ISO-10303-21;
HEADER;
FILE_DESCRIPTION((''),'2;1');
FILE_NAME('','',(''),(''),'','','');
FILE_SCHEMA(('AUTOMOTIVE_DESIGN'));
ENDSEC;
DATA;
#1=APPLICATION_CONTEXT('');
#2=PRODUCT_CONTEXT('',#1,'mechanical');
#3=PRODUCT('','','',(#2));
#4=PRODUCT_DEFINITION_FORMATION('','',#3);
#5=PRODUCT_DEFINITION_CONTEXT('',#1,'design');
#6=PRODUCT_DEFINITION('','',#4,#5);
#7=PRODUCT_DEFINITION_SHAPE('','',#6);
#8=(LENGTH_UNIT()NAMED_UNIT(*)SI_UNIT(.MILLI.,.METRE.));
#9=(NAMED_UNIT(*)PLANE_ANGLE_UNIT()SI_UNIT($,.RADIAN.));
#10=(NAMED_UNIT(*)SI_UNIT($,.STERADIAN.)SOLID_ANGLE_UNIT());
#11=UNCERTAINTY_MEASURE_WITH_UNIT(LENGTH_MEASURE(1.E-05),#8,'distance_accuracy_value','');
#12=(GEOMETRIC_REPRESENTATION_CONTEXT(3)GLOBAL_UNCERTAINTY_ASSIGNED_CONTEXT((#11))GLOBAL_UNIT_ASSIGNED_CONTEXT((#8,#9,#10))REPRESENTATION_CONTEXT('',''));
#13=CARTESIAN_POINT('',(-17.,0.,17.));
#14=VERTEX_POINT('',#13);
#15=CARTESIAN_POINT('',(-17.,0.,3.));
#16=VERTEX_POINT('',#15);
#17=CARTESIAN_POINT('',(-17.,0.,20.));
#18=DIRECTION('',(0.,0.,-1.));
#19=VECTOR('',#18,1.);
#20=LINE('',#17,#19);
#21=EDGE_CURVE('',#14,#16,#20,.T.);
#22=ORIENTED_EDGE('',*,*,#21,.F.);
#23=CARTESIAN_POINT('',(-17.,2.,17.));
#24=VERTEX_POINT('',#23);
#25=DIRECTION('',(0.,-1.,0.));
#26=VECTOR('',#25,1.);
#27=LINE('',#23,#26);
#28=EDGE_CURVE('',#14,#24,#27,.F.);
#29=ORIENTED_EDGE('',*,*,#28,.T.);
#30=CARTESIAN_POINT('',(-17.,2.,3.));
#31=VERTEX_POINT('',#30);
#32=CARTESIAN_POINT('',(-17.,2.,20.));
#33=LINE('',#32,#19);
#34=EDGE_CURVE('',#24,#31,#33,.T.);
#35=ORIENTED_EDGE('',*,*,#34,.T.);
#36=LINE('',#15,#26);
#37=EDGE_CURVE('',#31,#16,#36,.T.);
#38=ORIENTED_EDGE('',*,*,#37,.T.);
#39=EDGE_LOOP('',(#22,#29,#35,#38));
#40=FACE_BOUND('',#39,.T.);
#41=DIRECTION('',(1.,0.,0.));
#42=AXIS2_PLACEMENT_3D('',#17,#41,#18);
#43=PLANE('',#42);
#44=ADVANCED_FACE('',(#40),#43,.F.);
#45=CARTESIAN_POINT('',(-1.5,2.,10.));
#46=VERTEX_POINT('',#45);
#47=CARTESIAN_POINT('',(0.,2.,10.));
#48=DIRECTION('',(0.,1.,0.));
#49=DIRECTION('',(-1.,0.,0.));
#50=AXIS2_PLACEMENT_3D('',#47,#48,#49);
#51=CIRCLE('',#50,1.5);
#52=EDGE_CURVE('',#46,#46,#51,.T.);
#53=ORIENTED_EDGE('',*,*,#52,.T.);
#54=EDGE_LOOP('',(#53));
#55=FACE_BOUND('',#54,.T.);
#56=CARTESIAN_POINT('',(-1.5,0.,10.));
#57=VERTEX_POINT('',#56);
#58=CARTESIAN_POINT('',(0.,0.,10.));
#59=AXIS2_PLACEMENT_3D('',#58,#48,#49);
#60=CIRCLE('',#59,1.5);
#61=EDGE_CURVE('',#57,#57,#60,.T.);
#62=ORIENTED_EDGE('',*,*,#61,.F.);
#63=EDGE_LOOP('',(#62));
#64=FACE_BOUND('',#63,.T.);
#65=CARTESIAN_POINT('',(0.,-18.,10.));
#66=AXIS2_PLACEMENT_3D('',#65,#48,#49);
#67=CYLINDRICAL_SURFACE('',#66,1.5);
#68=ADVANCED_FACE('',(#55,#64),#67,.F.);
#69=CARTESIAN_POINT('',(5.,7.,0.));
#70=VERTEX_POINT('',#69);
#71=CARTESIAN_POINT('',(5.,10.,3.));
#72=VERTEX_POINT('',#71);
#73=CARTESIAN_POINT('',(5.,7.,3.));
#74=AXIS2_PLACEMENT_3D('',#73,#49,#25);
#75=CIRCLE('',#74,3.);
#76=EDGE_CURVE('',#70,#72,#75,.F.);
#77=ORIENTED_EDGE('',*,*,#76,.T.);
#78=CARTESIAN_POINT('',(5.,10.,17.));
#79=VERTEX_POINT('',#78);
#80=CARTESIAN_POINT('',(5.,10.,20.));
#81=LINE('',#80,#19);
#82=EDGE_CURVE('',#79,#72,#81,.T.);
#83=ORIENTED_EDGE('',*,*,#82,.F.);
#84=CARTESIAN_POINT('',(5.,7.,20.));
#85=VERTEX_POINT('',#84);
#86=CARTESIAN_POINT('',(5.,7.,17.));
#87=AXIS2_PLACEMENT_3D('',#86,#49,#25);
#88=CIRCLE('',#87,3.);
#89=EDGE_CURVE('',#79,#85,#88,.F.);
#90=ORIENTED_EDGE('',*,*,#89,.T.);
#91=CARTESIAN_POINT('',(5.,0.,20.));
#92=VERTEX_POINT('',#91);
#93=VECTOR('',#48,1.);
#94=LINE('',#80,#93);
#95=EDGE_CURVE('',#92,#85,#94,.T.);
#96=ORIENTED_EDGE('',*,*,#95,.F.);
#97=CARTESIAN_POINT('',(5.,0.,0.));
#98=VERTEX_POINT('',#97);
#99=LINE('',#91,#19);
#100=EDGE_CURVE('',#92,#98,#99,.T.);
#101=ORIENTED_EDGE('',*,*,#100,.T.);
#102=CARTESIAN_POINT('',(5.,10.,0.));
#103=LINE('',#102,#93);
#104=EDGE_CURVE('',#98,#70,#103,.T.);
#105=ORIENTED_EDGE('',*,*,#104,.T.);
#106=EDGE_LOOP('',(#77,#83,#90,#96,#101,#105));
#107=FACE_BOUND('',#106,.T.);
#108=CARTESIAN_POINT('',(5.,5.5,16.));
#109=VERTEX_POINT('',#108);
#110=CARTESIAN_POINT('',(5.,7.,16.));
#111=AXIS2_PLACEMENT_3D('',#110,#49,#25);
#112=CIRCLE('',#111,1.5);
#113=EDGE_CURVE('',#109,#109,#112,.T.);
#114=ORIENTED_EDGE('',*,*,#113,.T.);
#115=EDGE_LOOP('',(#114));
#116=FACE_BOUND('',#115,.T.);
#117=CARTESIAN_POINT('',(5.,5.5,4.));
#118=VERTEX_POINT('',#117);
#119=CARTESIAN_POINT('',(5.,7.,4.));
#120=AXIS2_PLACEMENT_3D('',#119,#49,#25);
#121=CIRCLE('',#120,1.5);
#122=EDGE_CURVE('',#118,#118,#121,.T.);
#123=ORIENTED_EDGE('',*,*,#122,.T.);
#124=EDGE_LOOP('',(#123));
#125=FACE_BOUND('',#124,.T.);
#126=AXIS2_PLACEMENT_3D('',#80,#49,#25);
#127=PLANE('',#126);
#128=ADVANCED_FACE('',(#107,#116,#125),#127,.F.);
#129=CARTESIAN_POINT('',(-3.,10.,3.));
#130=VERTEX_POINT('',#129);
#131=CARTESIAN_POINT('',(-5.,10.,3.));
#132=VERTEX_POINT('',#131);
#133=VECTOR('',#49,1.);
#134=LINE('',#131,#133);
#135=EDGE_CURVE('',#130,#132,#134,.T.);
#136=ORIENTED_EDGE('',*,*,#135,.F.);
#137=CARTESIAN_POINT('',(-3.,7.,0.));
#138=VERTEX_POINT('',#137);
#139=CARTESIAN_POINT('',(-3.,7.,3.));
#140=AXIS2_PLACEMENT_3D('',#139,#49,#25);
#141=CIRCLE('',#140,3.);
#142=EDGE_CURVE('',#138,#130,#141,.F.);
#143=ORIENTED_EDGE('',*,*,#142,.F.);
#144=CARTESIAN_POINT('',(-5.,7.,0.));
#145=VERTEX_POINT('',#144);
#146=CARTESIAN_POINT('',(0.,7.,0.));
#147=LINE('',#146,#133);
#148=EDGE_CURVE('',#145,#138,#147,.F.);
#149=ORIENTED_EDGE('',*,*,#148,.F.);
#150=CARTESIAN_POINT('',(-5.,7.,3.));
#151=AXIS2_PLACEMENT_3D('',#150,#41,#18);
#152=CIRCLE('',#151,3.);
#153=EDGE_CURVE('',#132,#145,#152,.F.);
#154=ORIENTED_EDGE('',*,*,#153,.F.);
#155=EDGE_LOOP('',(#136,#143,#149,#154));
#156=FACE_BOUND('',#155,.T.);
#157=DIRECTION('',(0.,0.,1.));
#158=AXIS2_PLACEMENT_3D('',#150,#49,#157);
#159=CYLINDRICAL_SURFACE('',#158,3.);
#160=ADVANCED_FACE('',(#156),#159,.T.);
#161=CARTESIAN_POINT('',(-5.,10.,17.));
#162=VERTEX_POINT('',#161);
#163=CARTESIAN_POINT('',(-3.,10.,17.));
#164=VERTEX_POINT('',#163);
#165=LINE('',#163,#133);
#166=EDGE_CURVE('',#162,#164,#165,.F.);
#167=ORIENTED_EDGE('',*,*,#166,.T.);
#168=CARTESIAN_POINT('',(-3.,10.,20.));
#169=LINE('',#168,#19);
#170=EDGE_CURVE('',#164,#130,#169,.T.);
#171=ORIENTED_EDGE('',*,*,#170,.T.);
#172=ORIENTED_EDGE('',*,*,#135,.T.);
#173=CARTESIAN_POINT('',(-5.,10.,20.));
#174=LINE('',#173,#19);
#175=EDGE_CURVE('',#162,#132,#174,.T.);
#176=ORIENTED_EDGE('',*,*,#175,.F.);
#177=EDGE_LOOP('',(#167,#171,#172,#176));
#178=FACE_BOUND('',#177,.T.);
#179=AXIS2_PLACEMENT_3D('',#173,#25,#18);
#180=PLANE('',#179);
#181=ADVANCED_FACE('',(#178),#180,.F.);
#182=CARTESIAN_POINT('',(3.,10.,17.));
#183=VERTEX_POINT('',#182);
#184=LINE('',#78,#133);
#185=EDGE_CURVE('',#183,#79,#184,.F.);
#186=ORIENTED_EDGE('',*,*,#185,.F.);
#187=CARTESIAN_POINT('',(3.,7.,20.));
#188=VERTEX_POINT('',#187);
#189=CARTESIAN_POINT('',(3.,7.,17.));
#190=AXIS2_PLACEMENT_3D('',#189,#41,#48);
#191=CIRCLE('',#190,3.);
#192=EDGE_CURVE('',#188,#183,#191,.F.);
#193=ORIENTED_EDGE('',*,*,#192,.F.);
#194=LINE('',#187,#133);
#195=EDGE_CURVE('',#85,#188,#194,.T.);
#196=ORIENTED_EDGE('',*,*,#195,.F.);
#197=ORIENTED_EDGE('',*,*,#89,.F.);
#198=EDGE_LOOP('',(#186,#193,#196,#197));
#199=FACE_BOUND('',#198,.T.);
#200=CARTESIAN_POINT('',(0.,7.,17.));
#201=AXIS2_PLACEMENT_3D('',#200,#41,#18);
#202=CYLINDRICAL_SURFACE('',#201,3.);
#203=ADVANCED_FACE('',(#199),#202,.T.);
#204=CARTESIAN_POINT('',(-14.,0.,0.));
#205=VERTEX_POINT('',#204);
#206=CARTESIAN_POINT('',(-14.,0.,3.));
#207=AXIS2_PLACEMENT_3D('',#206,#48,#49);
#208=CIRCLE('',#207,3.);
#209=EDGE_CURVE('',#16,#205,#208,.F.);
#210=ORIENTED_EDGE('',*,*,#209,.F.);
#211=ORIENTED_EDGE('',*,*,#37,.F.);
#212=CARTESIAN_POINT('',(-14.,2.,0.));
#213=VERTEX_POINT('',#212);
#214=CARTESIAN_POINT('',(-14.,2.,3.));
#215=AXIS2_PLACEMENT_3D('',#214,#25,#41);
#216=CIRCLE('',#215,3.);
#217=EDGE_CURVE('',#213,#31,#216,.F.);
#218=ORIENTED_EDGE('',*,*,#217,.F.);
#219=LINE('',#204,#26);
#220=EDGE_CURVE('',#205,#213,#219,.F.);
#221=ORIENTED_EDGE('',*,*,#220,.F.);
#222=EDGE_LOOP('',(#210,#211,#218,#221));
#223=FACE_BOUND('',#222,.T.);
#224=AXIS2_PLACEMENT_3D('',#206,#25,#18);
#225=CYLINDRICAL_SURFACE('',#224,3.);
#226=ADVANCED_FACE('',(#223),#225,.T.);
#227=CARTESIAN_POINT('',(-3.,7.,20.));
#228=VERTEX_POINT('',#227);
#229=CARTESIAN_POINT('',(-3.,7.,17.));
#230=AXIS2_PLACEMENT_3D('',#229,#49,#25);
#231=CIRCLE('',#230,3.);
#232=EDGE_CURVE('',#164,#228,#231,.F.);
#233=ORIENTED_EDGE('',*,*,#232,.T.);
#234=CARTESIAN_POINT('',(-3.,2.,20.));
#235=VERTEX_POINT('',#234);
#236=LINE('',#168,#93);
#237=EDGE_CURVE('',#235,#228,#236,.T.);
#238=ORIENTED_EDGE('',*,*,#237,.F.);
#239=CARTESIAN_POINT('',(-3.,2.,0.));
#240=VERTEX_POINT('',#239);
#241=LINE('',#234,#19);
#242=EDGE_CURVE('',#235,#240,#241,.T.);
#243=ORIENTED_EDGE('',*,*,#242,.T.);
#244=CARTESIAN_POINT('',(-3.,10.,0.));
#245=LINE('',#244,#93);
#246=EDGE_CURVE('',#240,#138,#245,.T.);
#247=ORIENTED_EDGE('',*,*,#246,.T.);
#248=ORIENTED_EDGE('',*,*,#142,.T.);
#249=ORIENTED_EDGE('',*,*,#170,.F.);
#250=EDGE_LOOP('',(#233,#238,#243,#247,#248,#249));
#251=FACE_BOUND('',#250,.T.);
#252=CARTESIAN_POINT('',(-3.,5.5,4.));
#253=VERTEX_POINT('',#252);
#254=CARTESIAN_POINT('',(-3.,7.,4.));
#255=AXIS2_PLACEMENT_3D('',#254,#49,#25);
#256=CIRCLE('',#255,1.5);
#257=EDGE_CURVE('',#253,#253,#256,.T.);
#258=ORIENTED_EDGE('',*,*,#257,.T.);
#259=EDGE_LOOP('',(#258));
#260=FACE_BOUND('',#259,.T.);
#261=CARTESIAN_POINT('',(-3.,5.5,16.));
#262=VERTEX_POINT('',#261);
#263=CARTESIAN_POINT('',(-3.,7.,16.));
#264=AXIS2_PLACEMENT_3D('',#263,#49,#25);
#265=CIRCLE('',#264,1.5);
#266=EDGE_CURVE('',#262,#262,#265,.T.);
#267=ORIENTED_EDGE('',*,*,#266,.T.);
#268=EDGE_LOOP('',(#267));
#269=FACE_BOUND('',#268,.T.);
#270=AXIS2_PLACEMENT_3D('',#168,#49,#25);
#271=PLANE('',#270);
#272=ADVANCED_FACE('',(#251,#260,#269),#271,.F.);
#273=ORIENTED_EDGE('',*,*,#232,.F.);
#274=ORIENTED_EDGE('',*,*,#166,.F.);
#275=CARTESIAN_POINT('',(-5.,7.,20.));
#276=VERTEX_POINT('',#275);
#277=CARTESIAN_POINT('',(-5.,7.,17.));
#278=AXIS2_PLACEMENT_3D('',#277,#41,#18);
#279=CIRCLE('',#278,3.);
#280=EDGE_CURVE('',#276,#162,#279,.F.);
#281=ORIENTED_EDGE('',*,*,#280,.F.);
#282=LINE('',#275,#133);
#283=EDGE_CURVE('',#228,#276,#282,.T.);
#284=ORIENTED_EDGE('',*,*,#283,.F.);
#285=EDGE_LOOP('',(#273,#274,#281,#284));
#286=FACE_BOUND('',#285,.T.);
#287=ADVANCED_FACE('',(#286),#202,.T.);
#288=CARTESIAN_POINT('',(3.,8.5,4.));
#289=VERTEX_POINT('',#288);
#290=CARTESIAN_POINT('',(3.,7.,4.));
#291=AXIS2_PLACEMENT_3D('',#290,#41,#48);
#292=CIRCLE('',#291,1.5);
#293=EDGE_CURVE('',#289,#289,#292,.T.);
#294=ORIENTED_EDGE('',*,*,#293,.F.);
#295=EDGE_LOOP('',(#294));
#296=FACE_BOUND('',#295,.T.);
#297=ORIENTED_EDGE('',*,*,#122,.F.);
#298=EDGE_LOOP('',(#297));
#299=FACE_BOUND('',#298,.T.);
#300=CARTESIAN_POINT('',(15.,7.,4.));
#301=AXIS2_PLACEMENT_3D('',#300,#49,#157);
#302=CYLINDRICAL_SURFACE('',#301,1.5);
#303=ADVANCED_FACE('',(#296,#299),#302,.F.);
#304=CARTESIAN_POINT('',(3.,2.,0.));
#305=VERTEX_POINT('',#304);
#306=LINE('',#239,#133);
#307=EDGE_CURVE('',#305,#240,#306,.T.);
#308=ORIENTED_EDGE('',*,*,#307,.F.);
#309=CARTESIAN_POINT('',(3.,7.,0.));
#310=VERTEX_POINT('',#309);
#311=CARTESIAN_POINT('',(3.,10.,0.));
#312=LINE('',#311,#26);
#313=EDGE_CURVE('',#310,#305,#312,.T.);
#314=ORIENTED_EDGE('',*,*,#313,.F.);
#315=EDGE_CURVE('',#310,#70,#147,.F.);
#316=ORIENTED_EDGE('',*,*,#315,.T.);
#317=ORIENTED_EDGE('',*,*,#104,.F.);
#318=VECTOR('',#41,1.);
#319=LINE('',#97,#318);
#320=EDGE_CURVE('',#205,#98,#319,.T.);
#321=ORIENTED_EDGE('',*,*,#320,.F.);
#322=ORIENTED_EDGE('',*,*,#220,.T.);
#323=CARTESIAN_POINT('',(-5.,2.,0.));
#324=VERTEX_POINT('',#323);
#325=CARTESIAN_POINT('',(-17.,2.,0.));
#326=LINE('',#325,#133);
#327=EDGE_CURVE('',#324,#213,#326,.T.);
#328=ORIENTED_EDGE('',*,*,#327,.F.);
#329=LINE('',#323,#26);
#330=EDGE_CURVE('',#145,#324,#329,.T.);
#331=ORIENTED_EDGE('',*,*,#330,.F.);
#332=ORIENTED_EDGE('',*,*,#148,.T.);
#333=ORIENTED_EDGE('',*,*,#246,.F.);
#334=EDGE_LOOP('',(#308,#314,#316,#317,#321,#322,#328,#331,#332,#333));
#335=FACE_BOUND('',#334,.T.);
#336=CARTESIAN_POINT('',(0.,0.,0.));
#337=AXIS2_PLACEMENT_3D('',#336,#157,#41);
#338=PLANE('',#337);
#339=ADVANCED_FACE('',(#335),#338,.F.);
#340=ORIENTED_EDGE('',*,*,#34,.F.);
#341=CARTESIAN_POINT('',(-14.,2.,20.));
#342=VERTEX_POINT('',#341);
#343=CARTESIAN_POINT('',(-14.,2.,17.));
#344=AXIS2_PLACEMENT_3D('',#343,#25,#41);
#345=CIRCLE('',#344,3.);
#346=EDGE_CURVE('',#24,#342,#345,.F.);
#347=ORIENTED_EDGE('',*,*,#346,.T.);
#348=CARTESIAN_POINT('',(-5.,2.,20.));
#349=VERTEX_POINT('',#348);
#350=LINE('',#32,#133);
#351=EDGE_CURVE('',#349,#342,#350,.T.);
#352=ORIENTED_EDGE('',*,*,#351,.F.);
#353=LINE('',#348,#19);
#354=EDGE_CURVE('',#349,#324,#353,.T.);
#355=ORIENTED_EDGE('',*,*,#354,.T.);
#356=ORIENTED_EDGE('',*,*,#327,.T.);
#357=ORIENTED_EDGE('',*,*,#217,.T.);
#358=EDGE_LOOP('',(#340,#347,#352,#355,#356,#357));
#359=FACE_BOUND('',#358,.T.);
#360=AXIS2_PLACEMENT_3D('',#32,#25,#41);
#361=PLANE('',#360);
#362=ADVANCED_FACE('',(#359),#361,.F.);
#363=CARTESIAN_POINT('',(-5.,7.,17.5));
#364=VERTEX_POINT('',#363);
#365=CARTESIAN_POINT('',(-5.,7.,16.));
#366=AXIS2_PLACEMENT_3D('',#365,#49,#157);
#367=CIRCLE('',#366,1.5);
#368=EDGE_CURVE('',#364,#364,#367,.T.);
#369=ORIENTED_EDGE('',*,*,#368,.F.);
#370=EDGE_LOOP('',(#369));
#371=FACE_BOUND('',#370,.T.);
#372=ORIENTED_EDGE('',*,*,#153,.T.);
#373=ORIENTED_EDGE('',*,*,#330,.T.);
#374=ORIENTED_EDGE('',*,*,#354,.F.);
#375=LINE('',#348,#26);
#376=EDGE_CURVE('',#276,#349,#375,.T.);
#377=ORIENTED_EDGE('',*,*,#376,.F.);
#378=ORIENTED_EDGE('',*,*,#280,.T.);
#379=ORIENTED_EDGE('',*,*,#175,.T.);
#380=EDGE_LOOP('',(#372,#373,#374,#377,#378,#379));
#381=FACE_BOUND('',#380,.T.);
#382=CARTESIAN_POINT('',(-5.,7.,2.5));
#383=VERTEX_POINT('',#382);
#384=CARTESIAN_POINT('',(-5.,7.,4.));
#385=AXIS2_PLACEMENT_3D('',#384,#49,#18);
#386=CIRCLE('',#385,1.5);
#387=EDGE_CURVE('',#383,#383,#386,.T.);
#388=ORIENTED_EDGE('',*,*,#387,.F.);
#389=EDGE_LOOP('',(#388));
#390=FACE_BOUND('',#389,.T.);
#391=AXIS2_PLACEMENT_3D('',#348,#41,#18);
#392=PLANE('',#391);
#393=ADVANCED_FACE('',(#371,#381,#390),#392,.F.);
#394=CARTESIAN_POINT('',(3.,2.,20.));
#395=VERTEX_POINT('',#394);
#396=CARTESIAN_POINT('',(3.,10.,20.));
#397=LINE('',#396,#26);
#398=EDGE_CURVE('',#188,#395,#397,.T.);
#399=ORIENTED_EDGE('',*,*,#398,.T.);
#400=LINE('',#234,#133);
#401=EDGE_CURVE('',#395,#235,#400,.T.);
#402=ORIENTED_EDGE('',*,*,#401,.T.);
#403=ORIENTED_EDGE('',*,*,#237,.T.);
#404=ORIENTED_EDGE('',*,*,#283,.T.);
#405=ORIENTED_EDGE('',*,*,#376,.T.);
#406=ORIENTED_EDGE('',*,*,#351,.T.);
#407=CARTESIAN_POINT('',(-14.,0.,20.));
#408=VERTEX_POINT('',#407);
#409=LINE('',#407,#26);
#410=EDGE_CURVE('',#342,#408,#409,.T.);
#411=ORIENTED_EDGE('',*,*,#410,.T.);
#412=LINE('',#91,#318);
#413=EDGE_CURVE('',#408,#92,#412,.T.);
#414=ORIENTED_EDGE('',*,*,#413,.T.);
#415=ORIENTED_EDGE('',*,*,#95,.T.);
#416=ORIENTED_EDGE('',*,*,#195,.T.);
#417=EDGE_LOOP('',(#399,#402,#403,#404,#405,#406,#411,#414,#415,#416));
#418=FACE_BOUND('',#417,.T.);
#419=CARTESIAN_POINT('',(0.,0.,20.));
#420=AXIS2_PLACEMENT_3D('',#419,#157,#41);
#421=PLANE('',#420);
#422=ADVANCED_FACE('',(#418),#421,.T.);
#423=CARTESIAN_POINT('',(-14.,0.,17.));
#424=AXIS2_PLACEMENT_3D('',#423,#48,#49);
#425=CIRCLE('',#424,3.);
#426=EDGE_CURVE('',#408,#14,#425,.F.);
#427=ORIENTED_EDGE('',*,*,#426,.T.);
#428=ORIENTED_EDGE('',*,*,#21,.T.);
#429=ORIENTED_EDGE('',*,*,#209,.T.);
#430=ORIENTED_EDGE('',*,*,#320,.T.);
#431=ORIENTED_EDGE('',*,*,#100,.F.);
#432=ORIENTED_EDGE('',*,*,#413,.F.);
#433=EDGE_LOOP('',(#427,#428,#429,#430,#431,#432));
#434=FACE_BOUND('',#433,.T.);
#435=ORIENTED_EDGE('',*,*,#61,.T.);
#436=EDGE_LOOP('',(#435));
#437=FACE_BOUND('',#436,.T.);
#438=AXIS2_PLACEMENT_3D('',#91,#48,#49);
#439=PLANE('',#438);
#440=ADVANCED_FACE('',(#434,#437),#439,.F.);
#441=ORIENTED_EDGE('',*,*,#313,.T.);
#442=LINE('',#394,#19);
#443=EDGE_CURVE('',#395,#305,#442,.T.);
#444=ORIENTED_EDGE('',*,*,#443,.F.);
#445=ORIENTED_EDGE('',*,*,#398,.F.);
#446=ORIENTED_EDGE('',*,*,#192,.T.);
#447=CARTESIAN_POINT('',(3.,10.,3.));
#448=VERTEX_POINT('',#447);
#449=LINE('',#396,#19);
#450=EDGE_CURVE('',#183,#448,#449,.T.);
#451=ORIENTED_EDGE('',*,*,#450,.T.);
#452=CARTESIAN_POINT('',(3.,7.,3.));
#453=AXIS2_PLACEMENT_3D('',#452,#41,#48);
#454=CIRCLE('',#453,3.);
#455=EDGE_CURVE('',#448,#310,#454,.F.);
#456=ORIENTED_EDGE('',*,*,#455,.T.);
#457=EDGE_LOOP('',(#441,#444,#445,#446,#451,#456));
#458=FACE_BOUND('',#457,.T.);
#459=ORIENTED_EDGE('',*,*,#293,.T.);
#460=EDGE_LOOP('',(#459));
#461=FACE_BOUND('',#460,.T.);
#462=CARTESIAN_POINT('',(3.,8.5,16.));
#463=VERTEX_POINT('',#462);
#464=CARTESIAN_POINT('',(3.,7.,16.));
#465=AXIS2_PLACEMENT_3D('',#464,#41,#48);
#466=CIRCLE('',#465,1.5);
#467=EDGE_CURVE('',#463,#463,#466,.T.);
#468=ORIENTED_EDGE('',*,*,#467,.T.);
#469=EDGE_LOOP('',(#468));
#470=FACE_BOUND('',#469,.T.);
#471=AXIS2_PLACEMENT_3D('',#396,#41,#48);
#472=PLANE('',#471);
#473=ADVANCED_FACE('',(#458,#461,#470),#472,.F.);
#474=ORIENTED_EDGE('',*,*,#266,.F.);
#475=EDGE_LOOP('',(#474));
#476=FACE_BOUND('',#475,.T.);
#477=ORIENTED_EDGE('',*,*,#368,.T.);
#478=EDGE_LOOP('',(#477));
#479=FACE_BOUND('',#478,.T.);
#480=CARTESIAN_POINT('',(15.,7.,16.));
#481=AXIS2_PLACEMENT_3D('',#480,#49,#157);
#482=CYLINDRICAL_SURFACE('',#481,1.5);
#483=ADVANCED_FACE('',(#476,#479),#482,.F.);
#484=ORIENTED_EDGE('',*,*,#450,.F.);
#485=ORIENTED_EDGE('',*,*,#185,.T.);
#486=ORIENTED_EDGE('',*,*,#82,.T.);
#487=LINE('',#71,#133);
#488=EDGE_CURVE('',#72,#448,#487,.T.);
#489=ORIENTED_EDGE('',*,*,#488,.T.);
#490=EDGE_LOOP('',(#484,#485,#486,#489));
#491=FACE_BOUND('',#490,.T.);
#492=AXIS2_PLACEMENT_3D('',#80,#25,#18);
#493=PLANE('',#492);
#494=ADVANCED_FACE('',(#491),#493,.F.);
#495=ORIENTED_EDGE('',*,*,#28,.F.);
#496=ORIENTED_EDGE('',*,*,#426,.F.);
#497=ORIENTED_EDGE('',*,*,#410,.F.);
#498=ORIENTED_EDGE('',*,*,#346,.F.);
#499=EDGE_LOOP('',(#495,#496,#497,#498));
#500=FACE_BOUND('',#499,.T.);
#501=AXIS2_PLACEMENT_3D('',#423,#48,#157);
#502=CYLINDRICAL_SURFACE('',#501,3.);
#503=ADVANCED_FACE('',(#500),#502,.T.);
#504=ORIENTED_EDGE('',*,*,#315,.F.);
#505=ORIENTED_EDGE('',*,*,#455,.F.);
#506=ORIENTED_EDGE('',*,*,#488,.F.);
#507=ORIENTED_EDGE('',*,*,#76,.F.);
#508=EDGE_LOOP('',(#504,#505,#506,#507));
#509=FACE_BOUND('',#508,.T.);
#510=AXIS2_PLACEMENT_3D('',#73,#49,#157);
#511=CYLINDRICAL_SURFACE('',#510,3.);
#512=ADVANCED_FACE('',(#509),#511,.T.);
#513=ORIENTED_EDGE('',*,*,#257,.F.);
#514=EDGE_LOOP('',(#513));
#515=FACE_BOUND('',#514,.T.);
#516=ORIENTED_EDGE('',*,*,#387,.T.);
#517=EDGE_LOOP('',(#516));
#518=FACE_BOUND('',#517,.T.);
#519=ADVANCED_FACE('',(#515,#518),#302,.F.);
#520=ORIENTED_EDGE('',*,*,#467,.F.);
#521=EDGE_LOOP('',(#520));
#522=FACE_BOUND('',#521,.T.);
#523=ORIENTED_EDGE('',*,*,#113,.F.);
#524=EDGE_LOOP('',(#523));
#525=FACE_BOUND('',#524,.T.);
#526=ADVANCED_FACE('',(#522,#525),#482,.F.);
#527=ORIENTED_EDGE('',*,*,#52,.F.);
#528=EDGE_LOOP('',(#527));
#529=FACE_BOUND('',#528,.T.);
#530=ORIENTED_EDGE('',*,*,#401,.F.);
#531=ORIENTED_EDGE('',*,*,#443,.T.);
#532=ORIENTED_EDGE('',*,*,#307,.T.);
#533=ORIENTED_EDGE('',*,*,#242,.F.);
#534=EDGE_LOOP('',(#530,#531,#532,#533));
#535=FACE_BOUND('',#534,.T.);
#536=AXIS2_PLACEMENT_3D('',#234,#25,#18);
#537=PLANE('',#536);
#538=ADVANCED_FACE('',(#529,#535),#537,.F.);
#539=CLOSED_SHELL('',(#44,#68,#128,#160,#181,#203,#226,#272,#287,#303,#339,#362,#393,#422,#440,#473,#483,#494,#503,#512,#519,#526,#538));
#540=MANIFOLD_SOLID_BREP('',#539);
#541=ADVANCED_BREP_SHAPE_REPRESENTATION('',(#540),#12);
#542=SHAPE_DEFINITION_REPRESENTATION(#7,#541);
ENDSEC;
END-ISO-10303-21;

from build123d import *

# Parameters (mm, degrees)
BOSS_EXTRUDE1_DEPTH = 20
FILLET1_R           = 3
SKETCH2_R           = 1.5
CUT_EXTRUDE1_DEPTH  = 20
SKETCH3_R           = 1.5
CUT_EXTRUDE2_DEPTH  = 20


with BuildPart() as part:
    # Sketch1 → Boss-Extrude1 (new body)
    with BuildSketch(Plane.XY):
        Polygon((5, 0), (-17, 0), (-17, 2), (-5, 2), (-5, 10), (-3, 10), (-3, 2), (3, 2), (3, 10), (5, 10), align=None)
    extrude(amount=BOSS_EXTRUDE1_DEPTH)

    # Fillet1
    fillet1_edges = [part.edges().sort_by_distance(p)[0] for p in [
        (4, 10, 0),
        (-17, 1, 0),
        (-4, 10, 0),
        (-4, 10, 20),
        (-17, 1, 20),
        (4, 10, 20),
    ]]
    fillet(fillet1_edges, radius=FILLET1_R)

    # Sketch2 → Cut-Extrude1 (cut)
    with BuildSketch(Plane.ZY.offset(5)):
        with Locations(Location((16, 7, 0), (0, 0, 270))):
            Circle(SKETCH2_R)
        with Locations(Location((4, 7, 0), (0, 0, 270))):
            Circle(SKETCH2_R)
    extrude(amount=-CUT_EXTRUDE1_DEPTH, mode=Mode.SUBTRACT)

    # Sketch3 → Cut-Extrude2 (cut)
    with BuildSketch(Plane(origin=(0, 2, 0), x_dir=(1, 0, 0), z_dir=(0, 1, 0))):
        with Locations(Location((0, -10, 0), (0, 0, 180))):
            Circle(SKETCH3_R)
    extrude(amount=-CUT_EXTRUDE2_DEPTH, mode=Mode.SUBTRACT)


solid = part.part
